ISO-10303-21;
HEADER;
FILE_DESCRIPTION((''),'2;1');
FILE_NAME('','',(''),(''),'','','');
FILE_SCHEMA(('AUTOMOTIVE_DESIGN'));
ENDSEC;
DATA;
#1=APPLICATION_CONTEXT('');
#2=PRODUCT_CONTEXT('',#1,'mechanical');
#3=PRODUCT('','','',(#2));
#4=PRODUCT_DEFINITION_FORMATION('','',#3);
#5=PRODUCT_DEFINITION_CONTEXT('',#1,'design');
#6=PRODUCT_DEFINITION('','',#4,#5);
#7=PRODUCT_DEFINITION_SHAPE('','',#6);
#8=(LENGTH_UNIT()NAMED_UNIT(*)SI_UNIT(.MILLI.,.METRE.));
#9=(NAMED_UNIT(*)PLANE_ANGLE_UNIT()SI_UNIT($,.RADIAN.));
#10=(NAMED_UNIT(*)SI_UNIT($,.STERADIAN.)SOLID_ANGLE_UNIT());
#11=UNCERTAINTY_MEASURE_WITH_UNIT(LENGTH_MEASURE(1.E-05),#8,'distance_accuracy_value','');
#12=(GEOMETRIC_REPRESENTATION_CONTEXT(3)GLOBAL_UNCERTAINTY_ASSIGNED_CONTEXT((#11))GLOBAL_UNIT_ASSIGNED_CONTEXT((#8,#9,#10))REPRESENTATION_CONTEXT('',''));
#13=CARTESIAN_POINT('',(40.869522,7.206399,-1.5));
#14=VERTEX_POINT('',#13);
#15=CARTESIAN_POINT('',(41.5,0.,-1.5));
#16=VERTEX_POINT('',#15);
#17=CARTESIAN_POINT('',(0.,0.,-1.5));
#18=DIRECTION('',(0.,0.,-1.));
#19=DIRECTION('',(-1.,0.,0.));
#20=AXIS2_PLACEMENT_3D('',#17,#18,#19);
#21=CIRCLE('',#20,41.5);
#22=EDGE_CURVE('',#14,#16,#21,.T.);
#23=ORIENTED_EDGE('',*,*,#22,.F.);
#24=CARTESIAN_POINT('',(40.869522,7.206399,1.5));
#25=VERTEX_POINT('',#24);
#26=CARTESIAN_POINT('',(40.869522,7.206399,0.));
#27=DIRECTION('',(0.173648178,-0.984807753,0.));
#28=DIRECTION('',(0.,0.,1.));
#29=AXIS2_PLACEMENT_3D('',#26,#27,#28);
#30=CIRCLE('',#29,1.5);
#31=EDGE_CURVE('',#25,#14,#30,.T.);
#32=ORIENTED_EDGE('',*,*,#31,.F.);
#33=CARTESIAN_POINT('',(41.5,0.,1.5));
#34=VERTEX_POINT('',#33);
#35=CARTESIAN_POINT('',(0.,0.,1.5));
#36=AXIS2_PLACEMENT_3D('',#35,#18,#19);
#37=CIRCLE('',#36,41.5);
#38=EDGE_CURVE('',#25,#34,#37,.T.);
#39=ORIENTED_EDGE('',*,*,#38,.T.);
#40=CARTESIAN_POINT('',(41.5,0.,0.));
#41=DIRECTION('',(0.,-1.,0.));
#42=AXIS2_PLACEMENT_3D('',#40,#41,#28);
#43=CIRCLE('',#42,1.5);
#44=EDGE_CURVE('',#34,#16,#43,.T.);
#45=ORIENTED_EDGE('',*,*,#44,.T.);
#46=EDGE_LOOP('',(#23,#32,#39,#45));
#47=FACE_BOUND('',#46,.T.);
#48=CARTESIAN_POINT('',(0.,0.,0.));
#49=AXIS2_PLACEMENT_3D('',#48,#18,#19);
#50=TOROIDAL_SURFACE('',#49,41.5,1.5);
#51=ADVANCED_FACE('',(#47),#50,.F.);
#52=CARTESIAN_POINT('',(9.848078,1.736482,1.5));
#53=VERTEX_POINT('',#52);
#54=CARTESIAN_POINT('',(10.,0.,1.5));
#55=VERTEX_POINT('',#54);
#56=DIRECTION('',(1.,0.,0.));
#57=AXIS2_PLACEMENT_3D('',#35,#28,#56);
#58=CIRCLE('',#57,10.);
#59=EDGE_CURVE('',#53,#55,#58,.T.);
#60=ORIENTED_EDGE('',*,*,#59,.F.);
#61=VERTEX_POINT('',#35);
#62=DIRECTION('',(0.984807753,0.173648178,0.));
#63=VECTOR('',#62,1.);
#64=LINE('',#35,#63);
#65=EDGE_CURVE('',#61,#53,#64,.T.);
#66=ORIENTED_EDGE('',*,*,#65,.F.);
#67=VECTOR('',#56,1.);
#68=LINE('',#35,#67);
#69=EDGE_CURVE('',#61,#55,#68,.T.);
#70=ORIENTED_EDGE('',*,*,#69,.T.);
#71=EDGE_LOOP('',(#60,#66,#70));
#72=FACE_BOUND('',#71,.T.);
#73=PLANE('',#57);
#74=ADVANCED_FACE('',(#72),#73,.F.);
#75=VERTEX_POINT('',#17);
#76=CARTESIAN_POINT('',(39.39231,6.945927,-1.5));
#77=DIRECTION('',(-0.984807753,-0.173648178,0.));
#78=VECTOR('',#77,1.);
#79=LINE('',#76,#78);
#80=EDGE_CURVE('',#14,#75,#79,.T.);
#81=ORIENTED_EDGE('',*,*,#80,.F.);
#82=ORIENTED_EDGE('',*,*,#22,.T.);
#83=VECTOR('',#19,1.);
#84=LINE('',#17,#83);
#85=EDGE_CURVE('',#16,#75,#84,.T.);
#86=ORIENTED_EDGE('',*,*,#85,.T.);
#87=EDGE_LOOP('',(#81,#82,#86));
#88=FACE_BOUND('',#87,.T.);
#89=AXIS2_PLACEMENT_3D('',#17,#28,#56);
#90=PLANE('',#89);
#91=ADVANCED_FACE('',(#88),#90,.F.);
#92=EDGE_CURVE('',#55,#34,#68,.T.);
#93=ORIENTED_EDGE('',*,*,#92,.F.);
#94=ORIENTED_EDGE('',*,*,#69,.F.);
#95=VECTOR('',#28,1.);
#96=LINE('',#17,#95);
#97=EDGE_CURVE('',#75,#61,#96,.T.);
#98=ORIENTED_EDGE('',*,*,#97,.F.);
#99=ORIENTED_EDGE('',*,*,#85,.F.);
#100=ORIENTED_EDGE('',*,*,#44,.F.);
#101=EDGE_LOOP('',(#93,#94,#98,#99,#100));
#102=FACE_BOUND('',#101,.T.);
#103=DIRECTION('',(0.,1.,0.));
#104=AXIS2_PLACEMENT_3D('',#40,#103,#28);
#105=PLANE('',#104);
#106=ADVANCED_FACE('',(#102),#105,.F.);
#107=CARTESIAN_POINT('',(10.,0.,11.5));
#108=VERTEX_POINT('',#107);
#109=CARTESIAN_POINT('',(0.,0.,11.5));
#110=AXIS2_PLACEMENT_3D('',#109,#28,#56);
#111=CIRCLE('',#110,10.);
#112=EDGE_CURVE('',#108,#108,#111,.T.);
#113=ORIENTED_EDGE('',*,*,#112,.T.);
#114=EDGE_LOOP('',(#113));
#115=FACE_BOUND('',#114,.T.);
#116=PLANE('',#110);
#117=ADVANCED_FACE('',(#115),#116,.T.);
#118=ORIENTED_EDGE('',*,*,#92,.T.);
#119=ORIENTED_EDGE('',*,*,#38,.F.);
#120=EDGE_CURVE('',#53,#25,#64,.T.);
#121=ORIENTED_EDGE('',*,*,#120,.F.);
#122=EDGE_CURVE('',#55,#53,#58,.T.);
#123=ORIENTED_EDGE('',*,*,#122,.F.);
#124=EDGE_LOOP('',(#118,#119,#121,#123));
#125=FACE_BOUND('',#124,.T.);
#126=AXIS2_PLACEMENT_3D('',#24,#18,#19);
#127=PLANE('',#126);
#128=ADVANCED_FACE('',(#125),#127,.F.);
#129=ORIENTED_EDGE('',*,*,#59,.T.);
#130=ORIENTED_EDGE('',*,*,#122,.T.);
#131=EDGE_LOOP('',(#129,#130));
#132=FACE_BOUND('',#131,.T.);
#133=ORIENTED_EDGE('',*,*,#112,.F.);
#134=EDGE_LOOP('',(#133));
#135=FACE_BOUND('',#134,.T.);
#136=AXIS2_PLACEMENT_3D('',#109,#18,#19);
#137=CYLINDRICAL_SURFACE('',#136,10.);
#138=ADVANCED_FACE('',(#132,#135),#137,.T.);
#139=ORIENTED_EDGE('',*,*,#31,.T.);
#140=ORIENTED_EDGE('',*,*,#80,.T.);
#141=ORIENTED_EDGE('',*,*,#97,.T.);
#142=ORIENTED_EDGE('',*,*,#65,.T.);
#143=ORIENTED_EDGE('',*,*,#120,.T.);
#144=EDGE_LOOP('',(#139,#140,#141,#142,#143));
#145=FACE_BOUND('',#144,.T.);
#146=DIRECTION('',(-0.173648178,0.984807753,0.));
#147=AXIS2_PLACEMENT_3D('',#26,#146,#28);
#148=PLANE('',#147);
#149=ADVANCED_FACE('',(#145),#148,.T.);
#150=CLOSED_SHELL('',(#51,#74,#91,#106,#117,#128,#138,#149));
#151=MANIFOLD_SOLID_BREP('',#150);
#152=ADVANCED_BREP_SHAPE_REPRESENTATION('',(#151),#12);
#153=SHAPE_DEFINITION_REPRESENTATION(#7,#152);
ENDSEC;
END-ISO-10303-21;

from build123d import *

# Parameters (mm, degrees)
REVOLVE2_ANGLE      = 10
SKETCH2_R           = 10
BOSS_EXTRUDE1_DEPTH = 10


with BuildPart() as part:
    # Sketch1 → Revolve2 (revolve)
    with BuildSketch(Plane(origin=(0, 0, 0), x_dir=(1, 0, 0), z_dir=(0, 1, 0))):
        with BuildLine():
            Line((40, 1.5), (41.5, 1.5))
            ThreePointArc((41.5, 1.5), (40, 0), (41.5, -1.5))
            Line((41.5, -1.5), (40, -1.5))
            Line((40, -1.5), (0, -1.5))
            Line((0, -1.5), (0, 1.5))
            Line((0, 1.5), (40, 1.5))
        make_face()
    revolve(axis=Axis((0, 0, -1.5), (0, 0, 1)), revolution_arc=REVOLVE2_ANGLE)

    # Sketch2 → Boss-Extrude1 (add)
    with BuildSketch(Plane.XY.offset(1.5)):
        Circle(SKETCH2_R)
    extrude(amount=BOSS_EXTRUDE1_DEPTH)


solid = part.part
